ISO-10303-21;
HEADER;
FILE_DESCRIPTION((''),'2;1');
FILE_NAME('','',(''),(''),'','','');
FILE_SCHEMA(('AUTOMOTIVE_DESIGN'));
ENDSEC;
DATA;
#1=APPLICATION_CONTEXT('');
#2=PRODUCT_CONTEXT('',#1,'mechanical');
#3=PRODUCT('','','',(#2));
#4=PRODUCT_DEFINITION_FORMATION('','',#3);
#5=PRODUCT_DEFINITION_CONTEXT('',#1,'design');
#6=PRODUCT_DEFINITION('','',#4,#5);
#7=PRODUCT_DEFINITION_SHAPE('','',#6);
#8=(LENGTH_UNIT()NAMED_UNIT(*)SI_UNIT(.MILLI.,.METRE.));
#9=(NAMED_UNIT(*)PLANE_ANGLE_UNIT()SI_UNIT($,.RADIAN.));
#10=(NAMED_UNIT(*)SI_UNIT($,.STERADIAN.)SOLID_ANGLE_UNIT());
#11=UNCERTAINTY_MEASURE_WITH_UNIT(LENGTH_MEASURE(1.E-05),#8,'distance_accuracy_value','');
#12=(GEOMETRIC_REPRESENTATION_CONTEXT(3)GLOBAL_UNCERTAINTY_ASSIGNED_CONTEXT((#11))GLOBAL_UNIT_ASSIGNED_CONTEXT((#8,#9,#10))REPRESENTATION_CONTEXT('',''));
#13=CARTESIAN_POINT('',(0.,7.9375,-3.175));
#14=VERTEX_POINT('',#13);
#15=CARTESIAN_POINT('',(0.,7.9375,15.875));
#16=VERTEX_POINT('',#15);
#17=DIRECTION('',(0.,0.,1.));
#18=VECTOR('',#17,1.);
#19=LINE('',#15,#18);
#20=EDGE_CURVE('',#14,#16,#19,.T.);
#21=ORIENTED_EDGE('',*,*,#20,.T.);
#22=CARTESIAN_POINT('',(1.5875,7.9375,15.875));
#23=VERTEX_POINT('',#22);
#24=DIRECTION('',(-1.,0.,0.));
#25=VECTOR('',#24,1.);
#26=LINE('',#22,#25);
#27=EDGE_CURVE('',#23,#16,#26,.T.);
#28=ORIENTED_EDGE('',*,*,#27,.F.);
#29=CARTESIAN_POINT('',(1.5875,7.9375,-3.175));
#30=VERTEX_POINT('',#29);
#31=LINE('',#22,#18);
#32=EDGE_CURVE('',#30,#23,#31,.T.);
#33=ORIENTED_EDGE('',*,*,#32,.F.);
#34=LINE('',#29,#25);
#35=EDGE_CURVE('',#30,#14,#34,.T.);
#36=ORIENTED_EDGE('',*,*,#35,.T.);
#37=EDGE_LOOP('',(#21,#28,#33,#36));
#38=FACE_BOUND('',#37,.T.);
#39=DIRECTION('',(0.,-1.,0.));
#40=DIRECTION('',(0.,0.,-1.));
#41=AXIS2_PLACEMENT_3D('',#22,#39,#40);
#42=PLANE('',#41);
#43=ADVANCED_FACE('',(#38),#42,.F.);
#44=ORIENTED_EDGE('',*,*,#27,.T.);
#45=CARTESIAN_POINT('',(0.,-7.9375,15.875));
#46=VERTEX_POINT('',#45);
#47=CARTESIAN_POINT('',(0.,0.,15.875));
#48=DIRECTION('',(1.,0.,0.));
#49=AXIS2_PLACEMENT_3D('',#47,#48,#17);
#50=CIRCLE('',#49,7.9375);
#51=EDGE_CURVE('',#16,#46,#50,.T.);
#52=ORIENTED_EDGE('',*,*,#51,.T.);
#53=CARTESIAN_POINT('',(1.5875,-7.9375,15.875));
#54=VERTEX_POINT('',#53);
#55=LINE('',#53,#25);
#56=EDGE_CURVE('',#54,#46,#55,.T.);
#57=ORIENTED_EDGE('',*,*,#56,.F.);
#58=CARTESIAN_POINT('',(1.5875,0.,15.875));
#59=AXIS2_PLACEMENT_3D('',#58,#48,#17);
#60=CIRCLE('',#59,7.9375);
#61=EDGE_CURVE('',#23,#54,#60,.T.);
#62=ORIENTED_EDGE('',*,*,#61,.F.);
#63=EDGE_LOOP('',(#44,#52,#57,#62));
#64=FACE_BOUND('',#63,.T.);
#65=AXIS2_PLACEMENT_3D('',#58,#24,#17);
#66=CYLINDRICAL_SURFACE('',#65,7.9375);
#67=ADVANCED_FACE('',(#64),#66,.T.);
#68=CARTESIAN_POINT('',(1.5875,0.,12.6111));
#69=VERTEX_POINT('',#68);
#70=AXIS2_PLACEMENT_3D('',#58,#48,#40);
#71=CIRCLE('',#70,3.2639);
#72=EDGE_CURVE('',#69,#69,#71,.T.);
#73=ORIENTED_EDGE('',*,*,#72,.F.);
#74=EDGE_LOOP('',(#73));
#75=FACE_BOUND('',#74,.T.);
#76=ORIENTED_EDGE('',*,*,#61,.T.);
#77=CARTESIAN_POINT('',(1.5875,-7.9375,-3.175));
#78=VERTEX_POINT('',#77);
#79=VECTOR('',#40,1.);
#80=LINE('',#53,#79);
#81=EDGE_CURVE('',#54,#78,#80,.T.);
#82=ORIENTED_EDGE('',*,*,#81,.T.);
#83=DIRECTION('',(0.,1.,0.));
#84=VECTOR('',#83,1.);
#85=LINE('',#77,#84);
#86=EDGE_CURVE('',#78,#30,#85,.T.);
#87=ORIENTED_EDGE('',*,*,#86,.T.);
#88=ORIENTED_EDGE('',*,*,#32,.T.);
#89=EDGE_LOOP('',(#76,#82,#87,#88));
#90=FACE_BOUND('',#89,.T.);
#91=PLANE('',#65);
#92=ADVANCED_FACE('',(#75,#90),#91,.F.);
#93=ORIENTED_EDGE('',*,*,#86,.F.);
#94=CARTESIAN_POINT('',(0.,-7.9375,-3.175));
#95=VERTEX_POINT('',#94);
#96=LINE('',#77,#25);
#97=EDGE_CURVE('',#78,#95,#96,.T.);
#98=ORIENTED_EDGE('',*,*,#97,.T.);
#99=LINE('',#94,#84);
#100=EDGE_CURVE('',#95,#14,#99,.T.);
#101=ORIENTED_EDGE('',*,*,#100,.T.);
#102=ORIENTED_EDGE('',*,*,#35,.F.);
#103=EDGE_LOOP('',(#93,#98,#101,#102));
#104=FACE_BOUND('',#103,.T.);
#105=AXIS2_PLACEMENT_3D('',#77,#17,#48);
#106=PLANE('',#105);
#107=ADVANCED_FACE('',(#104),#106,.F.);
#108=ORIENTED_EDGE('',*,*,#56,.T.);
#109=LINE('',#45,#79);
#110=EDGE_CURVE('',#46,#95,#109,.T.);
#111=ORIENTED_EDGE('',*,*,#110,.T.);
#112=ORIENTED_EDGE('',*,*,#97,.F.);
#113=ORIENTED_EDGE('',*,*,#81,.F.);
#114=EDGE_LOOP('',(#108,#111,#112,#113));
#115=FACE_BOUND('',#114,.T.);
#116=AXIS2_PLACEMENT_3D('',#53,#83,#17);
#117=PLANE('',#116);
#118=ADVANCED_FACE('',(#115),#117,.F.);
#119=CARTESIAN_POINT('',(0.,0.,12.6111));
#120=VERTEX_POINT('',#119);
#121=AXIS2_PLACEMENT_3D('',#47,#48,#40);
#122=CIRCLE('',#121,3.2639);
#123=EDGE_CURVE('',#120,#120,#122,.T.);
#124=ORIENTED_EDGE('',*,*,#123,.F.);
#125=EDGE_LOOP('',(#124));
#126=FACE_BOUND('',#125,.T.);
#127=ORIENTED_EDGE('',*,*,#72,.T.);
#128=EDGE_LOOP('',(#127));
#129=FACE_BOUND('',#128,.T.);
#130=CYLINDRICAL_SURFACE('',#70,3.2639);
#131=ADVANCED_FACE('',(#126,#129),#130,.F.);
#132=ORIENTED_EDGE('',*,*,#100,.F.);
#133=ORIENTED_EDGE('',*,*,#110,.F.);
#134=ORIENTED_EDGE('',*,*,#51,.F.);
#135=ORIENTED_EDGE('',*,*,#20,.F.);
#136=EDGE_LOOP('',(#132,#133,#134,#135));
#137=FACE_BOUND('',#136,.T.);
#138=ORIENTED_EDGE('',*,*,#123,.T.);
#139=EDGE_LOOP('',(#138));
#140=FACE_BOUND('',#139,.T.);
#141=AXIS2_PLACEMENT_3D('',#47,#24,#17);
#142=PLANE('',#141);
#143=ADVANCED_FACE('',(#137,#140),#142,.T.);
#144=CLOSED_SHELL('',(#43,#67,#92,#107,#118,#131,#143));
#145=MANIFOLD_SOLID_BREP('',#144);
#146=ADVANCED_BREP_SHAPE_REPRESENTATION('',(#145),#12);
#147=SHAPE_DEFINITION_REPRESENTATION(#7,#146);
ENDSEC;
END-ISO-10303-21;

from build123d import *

# Parameters (mm, degrees)
BOSS_EXTRUDE1_DEPTH     = 1.5875
F_1_4_CLEARANCE_HOLE1_D = 6.5278


with BuildPart() as part:
    # Sketch1 → Boss-Extrude1 (new body)
    with BuildSketch(Plane(origin=(0, 0, 0), x_dir=(0, 0, -1), z_dir=(1, 0, 0))):
        with BuildLine():
            Line((3.175, -7.9375), (3.175, 7.9375))
            Line((3.175, 7.9375), (-15.875, 7.9375))
            ThreePointArc((-15.875, 7.9375), (-23.8125, 0), (-15.875, -7.9375))
            Line((-15.875, -7.9375), (3.175, -7.9375))
        make_face()
    extrude(amount=BOSS_EXTRUDE1_DEPTH)

    # 1/4 Clearance Hole1 (through all)
    with Locations(Plane(origin=(1.5875, 0, 0), x_dir=(0, 0, -1), z_dir=(1, 0, 0))):
        with Locations((-15.875, 0)):
            Hole(F_1_4_CLEARANCE_HOLE1_D / 2)


solid = part.part
